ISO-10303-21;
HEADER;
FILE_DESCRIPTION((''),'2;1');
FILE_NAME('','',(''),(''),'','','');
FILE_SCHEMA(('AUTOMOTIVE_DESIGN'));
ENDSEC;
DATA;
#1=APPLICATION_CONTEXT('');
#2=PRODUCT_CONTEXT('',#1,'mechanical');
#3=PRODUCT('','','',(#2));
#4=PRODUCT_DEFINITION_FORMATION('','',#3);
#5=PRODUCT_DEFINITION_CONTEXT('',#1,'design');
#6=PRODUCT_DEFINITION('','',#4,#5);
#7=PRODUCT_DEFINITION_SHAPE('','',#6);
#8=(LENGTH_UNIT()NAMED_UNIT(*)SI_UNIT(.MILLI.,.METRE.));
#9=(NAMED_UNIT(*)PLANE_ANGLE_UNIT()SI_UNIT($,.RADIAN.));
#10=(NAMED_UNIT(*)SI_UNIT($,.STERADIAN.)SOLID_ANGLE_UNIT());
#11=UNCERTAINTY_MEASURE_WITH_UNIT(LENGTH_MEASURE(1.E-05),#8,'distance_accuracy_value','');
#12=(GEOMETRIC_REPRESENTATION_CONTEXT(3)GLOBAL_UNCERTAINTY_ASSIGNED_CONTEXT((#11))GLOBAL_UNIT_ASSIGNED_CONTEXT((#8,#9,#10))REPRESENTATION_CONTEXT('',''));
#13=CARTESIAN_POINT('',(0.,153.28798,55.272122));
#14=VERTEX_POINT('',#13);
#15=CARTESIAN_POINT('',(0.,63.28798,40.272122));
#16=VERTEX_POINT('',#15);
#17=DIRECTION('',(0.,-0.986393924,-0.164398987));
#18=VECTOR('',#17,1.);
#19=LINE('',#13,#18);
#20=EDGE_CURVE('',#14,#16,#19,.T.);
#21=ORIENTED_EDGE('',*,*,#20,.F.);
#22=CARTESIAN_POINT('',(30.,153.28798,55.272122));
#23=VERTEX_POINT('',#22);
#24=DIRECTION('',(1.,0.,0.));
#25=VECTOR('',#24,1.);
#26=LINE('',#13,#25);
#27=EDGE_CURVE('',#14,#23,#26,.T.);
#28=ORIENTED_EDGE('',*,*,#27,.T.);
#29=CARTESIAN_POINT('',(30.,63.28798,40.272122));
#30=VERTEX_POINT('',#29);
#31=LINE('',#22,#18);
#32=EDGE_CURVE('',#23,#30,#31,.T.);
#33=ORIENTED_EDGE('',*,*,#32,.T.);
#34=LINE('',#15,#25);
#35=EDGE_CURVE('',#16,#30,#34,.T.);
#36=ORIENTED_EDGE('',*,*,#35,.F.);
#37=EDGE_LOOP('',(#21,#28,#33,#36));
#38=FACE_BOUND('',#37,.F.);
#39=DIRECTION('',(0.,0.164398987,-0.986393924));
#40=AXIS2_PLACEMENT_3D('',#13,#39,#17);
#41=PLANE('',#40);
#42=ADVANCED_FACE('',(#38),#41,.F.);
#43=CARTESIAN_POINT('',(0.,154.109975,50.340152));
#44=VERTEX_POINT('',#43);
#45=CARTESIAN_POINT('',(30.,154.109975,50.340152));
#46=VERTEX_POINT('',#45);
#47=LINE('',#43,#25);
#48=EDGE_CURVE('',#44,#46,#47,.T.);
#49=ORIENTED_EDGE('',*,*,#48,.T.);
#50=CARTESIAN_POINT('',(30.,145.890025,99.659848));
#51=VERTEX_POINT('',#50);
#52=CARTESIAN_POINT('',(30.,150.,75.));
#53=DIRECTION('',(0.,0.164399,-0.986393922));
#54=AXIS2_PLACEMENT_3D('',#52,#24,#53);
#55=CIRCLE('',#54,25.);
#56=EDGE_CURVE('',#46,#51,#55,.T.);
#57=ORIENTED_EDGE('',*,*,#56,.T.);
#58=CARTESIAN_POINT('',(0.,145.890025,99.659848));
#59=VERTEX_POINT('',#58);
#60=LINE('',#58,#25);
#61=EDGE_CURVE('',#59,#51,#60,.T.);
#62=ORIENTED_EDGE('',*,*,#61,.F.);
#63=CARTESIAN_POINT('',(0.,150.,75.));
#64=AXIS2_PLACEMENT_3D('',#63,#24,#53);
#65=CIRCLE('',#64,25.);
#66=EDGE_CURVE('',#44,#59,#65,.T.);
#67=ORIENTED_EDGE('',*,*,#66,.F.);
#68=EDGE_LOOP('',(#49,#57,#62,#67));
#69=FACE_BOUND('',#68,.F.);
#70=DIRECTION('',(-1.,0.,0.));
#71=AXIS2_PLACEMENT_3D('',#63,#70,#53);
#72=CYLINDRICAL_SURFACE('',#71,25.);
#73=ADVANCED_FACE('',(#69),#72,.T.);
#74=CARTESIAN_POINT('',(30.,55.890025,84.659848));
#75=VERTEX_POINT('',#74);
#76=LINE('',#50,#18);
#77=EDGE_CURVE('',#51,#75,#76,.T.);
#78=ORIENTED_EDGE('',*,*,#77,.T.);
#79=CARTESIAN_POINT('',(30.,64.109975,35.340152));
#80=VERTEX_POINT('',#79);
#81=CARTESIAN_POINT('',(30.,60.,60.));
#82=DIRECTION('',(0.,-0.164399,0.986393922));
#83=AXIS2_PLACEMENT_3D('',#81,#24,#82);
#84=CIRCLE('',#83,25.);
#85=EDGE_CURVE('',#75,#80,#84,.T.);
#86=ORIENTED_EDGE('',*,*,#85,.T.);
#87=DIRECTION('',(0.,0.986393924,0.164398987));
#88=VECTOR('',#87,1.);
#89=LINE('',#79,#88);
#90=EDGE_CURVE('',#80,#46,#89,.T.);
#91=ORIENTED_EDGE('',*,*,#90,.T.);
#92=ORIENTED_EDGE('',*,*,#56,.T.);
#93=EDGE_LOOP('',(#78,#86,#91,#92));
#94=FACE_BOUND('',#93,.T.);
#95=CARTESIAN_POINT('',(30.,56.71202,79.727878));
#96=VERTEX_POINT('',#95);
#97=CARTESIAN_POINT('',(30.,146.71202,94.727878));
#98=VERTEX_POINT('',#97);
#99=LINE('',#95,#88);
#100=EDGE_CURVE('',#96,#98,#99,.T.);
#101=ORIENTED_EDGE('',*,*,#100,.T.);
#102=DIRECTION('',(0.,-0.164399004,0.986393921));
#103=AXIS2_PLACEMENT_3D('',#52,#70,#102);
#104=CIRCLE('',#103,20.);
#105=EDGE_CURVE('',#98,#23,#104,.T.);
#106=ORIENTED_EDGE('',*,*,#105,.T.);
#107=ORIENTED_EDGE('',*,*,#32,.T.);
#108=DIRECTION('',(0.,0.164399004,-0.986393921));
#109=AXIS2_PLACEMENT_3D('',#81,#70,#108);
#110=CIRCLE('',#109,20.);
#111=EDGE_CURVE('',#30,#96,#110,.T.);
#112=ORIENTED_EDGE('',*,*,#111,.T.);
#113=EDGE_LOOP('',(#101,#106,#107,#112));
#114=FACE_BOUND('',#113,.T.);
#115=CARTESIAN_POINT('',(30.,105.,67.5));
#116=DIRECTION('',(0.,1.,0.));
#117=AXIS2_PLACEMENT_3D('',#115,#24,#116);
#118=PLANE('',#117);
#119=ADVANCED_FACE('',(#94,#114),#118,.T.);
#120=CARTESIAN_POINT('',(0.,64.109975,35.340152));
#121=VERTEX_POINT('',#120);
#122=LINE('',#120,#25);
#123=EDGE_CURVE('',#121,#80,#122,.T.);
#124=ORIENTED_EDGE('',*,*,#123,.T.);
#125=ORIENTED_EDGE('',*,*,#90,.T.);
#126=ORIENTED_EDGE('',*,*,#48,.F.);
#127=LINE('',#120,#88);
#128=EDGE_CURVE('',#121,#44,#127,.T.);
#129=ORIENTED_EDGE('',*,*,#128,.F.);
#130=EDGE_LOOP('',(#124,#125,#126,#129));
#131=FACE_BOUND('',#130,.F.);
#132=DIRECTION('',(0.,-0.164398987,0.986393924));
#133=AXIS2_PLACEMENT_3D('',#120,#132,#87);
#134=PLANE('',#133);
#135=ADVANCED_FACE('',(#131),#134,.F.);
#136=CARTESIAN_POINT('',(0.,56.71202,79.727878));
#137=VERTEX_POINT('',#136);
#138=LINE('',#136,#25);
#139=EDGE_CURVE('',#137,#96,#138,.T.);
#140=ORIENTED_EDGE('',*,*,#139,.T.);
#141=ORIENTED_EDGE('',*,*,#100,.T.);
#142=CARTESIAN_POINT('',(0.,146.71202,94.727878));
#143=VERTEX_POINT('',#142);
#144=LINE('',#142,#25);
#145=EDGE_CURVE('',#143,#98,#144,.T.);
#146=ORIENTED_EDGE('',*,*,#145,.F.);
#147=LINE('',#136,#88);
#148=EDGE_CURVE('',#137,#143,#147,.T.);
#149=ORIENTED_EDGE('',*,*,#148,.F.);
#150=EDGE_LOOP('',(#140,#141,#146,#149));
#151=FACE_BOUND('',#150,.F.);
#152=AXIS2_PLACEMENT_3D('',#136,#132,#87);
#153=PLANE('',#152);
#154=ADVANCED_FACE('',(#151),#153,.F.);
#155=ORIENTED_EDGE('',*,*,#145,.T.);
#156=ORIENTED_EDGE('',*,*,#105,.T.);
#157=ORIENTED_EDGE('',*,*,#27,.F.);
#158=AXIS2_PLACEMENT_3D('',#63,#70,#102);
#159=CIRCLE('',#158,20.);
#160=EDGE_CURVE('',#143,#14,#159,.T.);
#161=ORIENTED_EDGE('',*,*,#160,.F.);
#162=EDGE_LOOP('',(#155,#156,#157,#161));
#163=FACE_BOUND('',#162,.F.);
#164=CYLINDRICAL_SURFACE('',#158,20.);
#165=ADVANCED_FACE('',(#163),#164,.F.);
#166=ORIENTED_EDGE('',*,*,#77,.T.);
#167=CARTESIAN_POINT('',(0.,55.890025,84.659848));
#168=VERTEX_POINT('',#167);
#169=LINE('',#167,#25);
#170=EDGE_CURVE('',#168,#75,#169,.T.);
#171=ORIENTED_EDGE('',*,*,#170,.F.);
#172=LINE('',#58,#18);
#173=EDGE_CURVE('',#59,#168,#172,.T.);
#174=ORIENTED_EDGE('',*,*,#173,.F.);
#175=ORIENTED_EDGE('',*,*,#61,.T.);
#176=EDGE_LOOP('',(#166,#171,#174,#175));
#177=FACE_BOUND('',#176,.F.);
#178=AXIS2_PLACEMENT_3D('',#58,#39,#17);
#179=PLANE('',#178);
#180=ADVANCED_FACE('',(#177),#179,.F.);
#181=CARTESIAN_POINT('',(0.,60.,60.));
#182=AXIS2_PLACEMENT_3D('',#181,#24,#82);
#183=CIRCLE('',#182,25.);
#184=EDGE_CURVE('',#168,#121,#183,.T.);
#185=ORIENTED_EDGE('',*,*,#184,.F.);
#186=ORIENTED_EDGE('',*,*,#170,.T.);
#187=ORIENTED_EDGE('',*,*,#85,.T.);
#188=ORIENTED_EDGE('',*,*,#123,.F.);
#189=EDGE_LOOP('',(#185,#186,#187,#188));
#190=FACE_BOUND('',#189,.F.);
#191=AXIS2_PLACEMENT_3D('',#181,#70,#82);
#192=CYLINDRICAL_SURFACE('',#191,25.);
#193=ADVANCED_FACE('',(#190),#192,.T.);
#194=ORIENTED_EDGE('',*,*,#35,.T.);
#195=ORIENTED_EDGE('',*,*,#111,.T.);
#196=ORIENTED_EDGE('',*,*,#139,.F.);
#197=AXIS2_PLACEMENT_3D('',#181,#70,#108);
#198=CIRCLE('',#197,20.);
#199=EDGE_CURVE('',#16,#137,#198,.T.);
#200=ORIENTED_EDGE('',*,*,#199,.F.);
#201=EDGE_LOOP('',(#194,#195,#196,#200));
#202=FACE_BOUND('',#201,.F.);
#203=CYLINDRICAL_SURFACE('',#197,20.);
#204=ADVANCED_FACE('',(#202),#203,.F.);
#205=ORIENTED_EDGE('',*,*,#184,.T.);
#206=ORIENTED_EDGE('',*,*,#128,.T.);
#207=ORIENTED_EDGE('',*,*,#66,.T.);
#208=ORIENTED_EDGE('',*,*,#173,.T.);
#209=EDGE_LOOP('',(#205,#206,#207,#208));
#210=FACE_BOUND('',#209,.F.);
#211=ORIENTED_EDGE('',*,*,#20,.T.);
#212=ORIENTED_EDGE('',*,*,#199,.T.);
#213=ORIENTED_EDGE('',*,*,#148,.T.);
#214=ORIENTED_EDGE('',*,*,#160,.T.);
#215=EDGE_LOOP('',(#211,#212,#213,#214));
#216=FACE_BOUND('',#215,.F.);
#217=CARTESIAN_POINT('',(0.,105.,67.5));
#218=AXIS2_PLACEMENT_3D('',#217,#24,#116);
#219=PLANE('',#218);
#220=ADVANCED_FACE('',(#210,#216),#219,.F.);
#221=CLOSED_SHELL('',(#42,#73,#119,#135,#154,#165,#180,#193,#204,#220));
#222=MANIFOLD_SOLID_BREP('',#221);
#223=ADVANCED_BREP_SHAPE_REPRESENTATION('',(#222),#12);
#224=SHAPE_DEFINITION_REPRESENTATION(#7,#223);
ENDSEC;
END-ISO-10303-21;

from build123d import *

# Parameters (mm, degrees)
F1_DEPTH = 30


with BuildPart() as f1:
    # F0 (on Right) → F1 (new body)
    with BuildSketch(Plane.YZ):
        with BuildLine():
            ThreePointArc((55.890025, 84.659848), (35.340152, 55.890025), (64.109975, 35.340152))
            Line((64.109975, 35.340152), (154.109975, 50.340152))
            ThreePointArc((154.109975, 50.340152), (174.659848, 79.109975), (145.890025, 99.659848))
            Line((145.890025, 99.659848), (55.890025, 84.659848))
        make_face()
        with BuildLine():
            ThreePointArc((63.28798, 40.272122), (40.272122, 56.71202), (56.71202, 79.727878))
            Line((56.71202, 79.727878), (146.71202, 94.727878))
            ThreePointArc((146.71202, 94.727878), (169.727878, 78.28798), (153.28798, 55.272122))
            Line((153.28798, 55.272122), (63.28798, 40.272122))
        make_face(mode=Mode.SUBTRACT)
    extrude(amount=F1_DEPTH)


solid = f1.part
